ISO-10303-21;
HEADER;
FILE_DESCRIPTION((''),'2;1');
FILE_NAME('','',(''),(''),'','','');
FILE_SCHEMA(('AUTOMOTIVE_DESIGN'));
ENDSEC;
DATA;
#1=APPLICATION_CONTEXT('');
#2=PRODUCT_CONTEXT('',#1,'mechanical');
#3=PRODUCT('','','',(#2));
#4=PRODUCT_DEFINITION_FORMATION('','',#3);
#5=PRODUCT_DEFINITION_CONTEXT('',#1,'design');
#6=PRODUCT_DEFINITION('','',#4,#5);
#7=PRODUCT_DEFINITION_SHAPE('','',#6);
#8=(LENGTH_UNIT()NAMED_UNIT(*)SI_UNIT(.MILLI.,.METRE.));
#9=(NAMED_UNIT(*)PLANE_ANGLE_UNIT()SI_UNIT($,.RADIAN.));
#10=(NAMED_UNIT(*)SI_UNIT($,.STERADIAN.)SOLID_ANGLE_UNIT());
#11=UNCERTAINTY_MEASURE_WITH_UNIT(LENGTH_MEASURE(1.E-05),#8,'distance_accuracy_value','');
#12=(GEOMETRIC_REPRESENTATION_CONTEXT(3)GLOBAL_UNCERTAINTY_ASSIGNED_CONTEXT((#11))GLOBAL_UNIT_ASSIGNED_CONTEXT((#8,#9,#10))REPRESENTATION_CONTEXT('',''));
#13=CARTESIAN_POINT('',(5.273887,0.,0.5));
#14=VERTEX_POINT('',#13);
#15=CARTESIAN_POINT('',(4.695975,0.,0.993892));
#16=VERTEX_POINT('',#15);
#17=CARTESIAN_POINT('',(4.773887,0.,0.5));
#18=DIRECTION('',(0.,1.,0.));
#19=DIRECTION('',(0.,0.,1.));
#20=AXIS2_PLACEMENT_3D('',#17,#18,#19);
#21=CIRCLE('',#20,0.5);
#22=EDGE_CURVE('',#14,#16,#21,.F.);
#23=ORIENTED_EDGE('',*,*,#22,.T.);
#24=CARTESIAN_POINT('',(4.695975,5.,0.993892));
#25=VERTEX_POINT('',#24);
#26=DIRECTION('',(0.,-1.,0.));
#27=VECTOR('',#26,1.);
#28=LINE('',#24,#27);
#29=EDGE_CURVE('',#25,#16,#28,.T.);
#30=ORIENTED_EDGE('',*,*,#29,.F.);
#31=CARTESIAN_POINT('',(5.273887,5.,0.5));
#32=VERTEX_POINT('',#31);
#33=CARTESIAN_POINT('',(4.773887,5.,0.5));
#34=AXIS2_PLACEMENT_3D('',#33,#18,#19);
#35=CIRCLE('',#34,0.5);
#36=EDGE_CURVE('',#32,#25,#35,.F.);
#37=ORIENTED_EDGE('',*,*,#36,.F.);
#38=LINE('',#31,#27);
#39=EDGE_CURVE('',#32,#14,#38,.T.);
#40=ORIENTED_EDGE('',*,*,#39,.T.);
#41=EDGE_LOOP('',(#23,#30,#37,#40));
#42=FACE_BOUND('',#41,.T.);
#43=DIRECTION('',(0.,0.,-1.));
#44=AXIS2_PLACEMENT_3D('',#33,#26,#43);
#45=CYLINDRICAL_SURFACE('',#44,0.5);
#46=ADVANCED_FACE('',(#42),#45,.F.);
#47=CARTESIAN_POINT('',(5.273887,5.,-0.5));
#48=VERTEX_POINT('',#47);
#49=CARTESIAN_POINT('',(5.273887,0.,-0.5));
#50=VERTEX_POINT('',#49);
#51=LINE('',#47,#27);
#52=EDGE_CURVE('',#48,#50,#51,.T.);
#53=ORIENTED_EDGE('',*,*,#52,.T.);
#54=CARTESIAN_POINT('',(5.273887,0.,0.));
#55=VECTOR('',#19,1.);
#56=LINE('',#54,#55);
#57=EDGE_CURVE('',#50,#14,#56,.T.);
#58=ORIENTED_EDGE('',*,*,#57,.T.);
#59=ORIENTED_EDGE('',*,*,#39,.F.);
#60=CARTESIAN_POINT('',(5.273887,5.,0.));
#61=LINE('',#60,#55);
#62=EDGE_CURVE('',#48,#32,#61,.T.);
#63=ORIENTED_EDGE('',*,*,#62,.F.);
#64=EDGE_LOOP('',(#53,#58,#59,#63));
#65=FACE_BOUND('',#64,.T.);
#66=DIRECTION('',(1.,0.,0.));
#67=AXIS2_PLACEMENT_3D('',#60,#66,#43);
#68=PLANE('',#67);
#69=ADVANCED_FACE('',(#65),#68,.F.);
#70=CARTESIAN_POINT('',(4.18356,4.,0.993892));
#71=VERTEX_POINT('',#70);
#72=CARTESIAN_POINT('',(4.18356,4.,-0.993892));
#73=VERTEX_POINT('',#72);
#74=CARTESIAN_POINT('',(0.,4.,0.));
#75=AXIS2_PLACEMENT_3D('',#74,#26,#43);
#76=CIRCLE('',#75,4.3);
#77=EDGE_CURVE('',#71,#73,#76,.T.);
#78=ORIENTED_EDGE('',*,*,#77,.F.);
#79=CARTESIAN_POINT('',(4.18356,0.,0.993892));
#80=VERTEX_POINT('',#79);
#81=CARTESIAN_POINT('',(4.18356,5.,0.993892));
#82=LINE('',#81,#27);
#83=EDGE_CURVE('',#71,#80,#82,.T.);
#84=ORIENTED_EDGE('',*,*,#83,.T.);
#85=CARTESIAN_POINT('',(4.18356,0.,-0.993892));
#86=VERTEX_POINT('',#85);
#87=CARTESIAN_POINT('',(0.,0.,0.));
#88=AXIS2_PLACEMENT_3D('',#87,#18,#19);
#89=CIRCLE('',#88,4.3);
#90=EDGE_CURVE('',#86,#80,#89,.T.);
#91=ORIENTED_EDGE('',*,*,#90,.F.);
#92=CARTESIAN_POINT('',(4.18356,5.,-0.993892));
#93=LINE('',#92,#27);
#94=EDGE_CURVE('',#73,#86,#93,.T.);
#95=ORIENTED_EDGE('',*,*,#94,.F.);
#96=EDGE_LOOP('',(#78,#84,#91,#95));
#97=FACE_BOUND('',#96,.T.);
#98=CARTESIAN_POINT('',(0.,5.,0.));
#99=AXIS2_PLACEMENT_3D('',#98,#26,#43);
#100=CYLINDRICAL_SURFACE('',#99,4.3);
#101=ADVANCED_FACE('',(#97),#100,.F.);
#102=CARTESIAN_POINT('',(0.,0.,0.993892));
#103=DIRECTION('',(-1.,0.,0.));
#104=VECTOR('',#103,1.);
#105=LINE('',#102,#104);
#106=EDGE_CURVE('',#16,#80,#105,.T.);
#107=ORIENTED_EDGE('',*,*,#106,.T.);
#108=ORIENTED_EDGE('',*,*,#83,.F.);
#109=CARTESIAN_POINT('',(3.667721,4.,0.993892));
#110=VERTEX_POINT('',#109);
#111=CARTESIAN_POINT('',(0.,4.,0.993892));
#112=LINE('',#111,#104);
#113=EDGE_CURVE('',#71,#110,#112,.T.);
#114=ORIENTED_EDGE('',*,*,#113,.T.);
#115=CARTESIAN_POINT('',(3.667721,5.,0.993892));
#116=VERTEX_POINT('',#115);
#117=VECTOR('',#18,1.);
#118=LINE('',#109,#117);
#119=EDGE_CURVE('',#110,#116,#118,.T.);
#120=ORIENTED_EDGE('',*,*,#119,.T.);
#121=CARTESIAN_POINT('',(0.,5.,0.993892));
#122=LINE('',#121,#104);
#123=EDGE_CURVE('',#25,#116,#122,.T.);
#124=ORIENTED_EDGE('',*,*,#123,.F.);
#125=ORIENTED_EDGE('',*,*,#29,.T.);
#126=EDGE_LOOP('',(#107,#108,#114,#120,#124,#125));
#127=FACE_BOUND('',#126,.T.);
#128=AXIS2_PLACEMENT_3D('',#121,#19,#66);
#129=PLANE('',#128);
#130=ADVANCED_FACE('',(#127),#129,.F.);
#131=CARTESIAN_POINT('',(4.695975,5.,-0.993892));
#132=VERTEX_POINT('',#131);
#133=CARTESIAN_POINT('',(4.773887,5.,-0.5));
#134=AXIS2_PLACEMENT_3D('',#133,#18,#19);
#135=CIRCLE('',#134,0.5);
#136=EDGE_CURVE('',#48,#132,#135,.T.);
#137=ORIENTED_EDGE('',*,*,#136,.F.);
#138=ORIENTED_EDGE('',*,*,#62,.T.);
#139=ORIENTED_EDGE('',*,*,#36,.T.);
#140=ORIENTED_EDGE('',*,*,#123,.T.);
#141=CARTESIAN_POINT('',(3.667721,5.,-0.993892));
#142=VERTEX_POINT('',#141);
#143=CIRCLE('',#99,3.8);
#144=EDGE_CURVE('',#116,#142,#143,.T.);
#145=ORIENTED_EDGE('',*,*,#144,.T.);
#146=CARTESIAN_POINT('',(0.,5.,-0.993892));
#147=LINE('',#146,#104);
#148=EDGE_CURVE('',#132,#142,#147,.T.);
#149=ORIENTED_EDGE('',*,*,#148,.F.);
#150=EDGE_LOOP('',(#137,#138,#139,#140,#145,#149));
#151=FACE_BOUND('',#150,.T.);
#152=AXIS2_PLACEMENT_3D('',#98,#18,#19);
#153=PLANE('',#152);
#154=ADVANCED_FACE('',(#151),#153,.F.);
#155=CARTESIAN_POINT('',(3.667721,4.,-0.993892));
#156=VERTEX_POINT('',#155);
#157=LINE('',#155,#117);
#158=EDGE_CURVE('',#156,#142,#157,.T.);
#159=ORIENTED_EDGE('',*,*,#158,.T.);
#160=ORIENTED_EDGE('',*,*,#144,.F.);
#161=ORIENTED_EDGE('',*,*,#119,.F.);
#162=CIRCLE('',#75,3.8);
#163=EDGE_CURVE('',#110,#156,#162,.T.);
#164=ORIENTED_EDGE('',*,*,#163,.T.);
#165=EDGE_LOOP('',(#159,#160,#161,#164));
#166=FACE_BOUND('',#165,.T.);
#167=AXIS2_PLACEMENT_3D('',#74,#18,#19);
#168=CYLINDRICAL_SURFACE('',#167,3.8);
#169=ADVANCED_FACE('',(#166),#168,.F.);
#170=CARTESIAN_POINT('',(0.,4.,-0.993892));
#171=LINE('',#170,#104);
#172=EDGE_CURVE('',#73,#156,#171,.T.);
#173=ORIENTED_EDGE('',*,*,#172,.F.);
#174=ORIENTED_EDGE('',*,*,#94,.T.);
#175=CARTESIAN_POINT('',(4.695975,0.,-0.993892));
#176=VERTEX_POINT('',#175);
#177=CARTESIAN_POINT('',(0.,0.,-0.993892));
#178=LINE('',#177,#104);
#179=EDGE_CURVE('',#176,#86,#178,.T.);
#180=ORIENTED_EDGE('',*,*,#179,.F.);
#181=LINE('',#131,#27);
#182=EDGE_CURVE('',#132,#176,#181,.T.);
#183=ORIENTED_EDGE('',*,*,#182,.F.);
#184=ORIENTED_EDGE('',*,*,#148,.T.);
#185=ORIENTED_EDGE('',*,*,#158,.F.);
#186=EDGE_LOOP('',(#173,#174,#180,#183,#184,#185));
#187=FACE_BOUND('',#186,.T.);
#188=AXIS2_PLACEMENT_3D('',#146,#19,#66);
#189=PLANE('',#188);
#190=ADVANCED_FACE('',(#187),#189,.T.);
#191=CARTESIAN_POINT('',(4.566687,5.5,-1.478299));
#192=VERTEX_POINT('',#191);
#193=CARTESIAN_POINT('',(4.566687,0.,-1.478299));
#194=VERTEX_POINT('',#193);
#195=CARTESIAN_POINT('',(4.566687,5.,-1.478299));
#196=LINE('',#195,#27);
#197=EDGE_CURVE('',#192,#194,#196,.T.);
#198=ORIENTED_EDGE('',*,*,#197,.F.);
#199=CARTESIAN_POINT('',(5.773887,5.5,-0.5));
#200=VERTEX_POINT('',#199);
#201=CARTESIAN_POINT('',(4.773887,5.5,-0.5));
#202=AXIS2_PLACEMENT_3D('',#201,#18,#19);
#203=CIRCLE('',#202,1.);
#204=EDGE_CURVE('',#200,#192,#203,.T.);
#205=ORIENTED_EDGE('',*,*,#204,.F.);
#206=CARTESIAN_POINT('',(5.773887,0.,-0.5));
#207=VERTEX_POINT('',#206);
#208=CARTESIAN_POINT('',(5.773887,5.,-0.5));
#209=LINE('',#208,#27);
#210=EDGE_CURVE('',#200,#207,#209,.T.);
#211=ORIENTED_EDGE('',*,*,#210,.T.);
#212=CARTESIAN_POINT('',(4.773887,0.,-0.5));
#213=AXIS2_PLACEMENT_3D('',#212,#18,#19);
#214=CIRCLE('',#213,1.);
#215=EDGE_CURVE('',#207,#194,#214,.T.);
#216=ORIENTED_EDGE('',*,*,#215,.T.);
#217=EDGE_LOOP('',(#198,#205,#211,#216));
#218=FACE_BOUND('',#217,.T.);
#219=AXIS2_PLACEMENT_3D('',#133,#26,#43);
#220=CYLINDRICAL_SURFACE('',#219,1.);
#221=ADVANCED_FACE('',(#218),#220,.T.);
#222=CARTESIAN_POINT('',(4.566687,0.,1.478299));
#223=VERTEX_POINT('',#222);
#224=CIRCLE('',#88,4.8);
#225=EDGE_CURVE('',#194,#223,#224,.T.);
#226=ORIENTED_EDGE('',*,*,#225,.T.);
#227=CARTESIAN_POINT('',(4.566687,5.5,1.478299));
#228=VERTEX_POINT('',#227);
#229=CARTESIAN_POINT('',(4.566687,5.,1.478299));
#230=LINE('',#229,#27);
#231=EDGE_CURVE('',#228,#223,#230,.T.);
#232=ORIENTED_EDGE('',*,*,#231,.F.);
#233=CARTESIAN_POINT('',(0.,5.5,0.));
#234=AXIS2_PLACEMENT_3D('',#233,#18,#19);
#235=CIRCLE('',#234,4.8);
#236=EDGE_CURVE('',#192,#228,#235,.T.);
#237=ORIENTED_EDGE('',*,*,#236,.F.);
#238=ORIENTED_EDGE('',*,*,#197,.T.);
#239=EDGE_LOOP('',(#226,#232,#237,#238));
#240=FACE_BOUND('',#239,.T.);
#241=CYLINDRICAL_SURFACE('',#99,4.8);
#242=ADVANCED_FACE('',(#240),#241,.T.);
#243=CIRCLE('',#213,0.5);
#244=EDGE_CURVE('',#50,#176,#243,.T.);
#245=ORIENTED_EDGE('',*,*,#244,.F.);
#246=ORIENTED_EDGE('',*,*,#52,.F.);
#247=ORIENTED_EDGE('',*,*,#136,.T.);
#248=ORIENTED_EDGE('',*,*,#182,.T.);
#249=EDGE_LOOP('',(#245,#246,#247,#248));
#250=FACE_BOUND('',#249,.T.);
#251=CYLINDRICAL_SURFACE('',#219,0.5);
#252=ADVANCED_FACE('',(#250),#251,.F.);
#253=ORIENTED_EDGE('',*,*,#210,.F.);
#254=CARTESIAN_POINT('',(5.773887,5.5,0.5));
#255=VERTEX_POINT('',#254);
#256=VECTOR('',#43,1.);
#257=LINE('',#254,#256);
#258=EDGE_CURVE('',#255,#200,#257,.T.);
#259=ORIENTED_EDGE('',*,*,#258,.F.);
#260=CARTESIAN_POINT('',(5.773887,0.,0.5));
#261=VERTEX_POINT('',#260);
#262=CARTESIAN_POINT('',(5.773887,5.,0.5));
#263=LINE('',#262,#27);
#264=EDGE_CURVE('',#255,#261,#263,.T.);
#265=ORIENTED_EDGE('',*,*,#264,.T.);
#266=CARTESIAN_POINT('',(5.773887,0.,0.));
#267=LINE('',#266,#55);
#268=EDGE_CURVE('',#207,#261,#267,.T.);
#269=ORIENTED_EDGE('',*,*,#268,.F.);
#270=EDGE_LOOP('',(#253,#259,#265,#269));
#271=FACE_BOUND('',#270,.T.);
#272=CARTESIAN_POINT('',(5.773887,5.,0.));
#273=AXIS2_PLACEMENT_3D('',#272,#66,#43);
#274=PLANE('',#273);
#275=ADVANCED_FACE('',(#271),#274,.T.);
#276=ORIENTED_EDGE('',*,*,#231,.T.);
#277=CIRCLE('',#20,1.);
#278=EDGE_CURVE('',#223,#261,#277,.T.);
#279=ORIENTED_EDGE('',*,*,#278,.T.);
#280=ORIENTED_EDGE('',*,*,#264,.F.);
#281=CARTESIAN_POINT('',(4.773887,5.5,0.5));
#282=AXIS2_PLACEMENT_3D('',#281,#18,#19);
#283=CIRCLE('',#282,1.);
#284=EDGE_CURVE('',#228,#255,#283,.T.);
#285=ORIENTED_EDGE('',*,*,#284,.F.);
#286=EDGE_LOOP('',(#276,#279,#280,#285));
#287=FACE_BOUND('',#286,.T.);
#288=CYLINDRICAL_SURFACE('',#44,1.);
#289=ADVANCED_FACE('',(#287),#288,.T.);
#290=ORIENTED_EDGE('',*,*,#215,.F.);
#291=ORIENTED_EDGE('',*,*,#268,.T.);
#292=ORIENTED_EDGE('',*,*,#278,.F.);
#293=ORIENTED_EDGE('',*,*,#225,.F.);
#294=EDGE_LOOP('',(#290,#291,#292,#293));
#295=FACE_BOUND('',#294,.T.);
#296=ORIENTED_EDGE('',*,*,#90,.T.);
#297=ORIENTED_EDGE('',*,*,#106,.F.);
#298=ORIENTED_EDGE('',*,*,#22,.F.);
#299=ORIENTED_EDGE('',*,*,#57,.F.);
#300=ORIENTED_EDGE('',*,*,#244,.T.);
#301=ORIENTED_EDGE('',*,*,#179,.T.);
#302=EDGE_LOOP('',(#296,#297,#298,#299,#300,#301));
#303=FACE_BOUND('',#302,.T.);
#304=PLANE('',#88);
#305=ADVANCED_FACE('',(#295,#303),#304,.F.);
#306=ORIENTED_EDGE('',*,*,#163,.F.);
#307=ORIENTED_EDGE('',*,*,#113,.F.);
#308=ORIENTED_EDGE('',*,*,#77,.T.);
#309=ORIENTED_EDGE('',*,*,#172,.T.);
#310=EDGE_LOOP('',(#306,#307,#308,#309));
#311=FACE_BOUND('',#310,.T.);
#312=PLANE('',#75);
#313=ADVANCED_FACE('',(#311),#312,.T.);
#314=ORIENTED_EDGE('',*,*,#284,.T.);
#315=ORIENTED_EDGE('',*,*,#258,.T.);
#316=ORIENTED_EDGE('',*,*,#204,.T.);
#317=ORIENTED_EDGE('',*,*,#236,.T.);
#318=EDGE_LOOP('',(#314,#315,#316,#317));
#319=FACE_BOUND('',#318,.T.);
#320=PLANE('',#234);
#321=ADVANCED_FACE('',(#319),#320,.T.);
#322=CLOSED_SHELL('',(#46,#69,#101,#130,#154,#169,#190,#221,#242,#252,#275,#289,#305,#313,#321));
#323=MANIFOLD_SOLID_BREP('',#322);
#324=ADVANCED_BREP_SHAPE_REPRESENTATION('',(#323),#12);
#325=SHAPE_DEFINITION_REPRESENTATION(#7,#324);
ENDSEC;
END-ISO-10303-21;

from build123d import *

# Parameters (mm, degrees)
BOSS_EXTRUDE1_DEPTH = 5
BOSS_EXTRUDE2_DEPTH = 0.5
BOSS_EXTRUDE3_DEPTH = 1


with BuildPart() as part:
    # Sketch1 → Boss-Extrude1 (new body)
    with BuildSketch(Plane(origin=(0, 0, 0), x_dir=(1, 0, 0), z_dir=(0, 1, 0))):
        with BuildLine():
            ThreePointArc((4.566687335, 1.478298611), (-4.8, 0), (4.566687335, -1.478298611))
            ThreePointArc((4.566687335, -1.478298611), (5.403490366, -1.276916974), (5.773887305, -0.5))
            Line((5.773887305, -0.5), (5.773887305, 0.5))
            ThreePointArc((5.773887305, 0.5), (5.403490366, 1.276916974), (4.566687335, 1.478298611))
        make_face()
        with BuildLine():
            ThreePointArc((5.273887305, -0.5), (5.098728559, -0.880102828), (4.695974666, -0.993892317))
            Line((4.695974666, -0.993892317), (4.183560453, -0.993892317))
            ThreePointArc((4.183560453, -0.993892317), (-4.3, 0), (4.183560453, 0.993892317))
            Line((4.183560453, 0.993892317), (4.695974666, 0.993892317))
            ThreePointArc((4.695974666, 0.993892317), (5.098728559, 0.880102828), (5.273887305, 0.5))
            Line((5.273887305, 0.5), (5.273887305, -0.5))
        make_face(mode=Mode.SUBTRACT)
    extrude(amount=BOSS_EXTRUDE1_DEPTH)

    # Sketch3 → Boss-Extrude2 (add)
    with BuildSketch(Plane(origin=(0, 5, 0), x_dir=(1, 0, 0), z_dir=(0, 1, 0))):
        with BuildLine():
            Line((5.773887305, -0.5), (5.773887305, 0.5))
            ThreePointArc((5.773887305, 0.5), (5.403490366, 1.276916974), (4.566687335, 1.478298611))
            ThreePointArc((4.566687335, 1.478298611), (-4.8, 0), (4.566687335, -1.478298611))
            ThreePointArc((4.566687335, -1.478298611), (5.403490366, -1.276916974), (5.773887305, -0.5))
        make_face()
    extrude(amount=BOSS_EXTRUDE2_DEPTH)

    # Sketch4 → Boss-Extrude3 (add)
    with BuildSketch(Plane.XZ.offset(-5)):
        with BuildLine():
            Line((3.667721099, 0.993892317), (4.183560453, 0.993892317))
            ThreePointArc((4.183560453, 0.993892317), (-4.3, 0), (4.183560453, -0.993892317))
            Line((4.183560453, -0.993892317), (3.667721099, -0.993892317))
            ThreePointArc((3.667721099, -0.993892317), (-3.8, 0), (3.667721099, 0.993892317))
        make_face()
    extrude(amount=BOSS_EXTRUDE3_DEPTH)


solid = part.part
